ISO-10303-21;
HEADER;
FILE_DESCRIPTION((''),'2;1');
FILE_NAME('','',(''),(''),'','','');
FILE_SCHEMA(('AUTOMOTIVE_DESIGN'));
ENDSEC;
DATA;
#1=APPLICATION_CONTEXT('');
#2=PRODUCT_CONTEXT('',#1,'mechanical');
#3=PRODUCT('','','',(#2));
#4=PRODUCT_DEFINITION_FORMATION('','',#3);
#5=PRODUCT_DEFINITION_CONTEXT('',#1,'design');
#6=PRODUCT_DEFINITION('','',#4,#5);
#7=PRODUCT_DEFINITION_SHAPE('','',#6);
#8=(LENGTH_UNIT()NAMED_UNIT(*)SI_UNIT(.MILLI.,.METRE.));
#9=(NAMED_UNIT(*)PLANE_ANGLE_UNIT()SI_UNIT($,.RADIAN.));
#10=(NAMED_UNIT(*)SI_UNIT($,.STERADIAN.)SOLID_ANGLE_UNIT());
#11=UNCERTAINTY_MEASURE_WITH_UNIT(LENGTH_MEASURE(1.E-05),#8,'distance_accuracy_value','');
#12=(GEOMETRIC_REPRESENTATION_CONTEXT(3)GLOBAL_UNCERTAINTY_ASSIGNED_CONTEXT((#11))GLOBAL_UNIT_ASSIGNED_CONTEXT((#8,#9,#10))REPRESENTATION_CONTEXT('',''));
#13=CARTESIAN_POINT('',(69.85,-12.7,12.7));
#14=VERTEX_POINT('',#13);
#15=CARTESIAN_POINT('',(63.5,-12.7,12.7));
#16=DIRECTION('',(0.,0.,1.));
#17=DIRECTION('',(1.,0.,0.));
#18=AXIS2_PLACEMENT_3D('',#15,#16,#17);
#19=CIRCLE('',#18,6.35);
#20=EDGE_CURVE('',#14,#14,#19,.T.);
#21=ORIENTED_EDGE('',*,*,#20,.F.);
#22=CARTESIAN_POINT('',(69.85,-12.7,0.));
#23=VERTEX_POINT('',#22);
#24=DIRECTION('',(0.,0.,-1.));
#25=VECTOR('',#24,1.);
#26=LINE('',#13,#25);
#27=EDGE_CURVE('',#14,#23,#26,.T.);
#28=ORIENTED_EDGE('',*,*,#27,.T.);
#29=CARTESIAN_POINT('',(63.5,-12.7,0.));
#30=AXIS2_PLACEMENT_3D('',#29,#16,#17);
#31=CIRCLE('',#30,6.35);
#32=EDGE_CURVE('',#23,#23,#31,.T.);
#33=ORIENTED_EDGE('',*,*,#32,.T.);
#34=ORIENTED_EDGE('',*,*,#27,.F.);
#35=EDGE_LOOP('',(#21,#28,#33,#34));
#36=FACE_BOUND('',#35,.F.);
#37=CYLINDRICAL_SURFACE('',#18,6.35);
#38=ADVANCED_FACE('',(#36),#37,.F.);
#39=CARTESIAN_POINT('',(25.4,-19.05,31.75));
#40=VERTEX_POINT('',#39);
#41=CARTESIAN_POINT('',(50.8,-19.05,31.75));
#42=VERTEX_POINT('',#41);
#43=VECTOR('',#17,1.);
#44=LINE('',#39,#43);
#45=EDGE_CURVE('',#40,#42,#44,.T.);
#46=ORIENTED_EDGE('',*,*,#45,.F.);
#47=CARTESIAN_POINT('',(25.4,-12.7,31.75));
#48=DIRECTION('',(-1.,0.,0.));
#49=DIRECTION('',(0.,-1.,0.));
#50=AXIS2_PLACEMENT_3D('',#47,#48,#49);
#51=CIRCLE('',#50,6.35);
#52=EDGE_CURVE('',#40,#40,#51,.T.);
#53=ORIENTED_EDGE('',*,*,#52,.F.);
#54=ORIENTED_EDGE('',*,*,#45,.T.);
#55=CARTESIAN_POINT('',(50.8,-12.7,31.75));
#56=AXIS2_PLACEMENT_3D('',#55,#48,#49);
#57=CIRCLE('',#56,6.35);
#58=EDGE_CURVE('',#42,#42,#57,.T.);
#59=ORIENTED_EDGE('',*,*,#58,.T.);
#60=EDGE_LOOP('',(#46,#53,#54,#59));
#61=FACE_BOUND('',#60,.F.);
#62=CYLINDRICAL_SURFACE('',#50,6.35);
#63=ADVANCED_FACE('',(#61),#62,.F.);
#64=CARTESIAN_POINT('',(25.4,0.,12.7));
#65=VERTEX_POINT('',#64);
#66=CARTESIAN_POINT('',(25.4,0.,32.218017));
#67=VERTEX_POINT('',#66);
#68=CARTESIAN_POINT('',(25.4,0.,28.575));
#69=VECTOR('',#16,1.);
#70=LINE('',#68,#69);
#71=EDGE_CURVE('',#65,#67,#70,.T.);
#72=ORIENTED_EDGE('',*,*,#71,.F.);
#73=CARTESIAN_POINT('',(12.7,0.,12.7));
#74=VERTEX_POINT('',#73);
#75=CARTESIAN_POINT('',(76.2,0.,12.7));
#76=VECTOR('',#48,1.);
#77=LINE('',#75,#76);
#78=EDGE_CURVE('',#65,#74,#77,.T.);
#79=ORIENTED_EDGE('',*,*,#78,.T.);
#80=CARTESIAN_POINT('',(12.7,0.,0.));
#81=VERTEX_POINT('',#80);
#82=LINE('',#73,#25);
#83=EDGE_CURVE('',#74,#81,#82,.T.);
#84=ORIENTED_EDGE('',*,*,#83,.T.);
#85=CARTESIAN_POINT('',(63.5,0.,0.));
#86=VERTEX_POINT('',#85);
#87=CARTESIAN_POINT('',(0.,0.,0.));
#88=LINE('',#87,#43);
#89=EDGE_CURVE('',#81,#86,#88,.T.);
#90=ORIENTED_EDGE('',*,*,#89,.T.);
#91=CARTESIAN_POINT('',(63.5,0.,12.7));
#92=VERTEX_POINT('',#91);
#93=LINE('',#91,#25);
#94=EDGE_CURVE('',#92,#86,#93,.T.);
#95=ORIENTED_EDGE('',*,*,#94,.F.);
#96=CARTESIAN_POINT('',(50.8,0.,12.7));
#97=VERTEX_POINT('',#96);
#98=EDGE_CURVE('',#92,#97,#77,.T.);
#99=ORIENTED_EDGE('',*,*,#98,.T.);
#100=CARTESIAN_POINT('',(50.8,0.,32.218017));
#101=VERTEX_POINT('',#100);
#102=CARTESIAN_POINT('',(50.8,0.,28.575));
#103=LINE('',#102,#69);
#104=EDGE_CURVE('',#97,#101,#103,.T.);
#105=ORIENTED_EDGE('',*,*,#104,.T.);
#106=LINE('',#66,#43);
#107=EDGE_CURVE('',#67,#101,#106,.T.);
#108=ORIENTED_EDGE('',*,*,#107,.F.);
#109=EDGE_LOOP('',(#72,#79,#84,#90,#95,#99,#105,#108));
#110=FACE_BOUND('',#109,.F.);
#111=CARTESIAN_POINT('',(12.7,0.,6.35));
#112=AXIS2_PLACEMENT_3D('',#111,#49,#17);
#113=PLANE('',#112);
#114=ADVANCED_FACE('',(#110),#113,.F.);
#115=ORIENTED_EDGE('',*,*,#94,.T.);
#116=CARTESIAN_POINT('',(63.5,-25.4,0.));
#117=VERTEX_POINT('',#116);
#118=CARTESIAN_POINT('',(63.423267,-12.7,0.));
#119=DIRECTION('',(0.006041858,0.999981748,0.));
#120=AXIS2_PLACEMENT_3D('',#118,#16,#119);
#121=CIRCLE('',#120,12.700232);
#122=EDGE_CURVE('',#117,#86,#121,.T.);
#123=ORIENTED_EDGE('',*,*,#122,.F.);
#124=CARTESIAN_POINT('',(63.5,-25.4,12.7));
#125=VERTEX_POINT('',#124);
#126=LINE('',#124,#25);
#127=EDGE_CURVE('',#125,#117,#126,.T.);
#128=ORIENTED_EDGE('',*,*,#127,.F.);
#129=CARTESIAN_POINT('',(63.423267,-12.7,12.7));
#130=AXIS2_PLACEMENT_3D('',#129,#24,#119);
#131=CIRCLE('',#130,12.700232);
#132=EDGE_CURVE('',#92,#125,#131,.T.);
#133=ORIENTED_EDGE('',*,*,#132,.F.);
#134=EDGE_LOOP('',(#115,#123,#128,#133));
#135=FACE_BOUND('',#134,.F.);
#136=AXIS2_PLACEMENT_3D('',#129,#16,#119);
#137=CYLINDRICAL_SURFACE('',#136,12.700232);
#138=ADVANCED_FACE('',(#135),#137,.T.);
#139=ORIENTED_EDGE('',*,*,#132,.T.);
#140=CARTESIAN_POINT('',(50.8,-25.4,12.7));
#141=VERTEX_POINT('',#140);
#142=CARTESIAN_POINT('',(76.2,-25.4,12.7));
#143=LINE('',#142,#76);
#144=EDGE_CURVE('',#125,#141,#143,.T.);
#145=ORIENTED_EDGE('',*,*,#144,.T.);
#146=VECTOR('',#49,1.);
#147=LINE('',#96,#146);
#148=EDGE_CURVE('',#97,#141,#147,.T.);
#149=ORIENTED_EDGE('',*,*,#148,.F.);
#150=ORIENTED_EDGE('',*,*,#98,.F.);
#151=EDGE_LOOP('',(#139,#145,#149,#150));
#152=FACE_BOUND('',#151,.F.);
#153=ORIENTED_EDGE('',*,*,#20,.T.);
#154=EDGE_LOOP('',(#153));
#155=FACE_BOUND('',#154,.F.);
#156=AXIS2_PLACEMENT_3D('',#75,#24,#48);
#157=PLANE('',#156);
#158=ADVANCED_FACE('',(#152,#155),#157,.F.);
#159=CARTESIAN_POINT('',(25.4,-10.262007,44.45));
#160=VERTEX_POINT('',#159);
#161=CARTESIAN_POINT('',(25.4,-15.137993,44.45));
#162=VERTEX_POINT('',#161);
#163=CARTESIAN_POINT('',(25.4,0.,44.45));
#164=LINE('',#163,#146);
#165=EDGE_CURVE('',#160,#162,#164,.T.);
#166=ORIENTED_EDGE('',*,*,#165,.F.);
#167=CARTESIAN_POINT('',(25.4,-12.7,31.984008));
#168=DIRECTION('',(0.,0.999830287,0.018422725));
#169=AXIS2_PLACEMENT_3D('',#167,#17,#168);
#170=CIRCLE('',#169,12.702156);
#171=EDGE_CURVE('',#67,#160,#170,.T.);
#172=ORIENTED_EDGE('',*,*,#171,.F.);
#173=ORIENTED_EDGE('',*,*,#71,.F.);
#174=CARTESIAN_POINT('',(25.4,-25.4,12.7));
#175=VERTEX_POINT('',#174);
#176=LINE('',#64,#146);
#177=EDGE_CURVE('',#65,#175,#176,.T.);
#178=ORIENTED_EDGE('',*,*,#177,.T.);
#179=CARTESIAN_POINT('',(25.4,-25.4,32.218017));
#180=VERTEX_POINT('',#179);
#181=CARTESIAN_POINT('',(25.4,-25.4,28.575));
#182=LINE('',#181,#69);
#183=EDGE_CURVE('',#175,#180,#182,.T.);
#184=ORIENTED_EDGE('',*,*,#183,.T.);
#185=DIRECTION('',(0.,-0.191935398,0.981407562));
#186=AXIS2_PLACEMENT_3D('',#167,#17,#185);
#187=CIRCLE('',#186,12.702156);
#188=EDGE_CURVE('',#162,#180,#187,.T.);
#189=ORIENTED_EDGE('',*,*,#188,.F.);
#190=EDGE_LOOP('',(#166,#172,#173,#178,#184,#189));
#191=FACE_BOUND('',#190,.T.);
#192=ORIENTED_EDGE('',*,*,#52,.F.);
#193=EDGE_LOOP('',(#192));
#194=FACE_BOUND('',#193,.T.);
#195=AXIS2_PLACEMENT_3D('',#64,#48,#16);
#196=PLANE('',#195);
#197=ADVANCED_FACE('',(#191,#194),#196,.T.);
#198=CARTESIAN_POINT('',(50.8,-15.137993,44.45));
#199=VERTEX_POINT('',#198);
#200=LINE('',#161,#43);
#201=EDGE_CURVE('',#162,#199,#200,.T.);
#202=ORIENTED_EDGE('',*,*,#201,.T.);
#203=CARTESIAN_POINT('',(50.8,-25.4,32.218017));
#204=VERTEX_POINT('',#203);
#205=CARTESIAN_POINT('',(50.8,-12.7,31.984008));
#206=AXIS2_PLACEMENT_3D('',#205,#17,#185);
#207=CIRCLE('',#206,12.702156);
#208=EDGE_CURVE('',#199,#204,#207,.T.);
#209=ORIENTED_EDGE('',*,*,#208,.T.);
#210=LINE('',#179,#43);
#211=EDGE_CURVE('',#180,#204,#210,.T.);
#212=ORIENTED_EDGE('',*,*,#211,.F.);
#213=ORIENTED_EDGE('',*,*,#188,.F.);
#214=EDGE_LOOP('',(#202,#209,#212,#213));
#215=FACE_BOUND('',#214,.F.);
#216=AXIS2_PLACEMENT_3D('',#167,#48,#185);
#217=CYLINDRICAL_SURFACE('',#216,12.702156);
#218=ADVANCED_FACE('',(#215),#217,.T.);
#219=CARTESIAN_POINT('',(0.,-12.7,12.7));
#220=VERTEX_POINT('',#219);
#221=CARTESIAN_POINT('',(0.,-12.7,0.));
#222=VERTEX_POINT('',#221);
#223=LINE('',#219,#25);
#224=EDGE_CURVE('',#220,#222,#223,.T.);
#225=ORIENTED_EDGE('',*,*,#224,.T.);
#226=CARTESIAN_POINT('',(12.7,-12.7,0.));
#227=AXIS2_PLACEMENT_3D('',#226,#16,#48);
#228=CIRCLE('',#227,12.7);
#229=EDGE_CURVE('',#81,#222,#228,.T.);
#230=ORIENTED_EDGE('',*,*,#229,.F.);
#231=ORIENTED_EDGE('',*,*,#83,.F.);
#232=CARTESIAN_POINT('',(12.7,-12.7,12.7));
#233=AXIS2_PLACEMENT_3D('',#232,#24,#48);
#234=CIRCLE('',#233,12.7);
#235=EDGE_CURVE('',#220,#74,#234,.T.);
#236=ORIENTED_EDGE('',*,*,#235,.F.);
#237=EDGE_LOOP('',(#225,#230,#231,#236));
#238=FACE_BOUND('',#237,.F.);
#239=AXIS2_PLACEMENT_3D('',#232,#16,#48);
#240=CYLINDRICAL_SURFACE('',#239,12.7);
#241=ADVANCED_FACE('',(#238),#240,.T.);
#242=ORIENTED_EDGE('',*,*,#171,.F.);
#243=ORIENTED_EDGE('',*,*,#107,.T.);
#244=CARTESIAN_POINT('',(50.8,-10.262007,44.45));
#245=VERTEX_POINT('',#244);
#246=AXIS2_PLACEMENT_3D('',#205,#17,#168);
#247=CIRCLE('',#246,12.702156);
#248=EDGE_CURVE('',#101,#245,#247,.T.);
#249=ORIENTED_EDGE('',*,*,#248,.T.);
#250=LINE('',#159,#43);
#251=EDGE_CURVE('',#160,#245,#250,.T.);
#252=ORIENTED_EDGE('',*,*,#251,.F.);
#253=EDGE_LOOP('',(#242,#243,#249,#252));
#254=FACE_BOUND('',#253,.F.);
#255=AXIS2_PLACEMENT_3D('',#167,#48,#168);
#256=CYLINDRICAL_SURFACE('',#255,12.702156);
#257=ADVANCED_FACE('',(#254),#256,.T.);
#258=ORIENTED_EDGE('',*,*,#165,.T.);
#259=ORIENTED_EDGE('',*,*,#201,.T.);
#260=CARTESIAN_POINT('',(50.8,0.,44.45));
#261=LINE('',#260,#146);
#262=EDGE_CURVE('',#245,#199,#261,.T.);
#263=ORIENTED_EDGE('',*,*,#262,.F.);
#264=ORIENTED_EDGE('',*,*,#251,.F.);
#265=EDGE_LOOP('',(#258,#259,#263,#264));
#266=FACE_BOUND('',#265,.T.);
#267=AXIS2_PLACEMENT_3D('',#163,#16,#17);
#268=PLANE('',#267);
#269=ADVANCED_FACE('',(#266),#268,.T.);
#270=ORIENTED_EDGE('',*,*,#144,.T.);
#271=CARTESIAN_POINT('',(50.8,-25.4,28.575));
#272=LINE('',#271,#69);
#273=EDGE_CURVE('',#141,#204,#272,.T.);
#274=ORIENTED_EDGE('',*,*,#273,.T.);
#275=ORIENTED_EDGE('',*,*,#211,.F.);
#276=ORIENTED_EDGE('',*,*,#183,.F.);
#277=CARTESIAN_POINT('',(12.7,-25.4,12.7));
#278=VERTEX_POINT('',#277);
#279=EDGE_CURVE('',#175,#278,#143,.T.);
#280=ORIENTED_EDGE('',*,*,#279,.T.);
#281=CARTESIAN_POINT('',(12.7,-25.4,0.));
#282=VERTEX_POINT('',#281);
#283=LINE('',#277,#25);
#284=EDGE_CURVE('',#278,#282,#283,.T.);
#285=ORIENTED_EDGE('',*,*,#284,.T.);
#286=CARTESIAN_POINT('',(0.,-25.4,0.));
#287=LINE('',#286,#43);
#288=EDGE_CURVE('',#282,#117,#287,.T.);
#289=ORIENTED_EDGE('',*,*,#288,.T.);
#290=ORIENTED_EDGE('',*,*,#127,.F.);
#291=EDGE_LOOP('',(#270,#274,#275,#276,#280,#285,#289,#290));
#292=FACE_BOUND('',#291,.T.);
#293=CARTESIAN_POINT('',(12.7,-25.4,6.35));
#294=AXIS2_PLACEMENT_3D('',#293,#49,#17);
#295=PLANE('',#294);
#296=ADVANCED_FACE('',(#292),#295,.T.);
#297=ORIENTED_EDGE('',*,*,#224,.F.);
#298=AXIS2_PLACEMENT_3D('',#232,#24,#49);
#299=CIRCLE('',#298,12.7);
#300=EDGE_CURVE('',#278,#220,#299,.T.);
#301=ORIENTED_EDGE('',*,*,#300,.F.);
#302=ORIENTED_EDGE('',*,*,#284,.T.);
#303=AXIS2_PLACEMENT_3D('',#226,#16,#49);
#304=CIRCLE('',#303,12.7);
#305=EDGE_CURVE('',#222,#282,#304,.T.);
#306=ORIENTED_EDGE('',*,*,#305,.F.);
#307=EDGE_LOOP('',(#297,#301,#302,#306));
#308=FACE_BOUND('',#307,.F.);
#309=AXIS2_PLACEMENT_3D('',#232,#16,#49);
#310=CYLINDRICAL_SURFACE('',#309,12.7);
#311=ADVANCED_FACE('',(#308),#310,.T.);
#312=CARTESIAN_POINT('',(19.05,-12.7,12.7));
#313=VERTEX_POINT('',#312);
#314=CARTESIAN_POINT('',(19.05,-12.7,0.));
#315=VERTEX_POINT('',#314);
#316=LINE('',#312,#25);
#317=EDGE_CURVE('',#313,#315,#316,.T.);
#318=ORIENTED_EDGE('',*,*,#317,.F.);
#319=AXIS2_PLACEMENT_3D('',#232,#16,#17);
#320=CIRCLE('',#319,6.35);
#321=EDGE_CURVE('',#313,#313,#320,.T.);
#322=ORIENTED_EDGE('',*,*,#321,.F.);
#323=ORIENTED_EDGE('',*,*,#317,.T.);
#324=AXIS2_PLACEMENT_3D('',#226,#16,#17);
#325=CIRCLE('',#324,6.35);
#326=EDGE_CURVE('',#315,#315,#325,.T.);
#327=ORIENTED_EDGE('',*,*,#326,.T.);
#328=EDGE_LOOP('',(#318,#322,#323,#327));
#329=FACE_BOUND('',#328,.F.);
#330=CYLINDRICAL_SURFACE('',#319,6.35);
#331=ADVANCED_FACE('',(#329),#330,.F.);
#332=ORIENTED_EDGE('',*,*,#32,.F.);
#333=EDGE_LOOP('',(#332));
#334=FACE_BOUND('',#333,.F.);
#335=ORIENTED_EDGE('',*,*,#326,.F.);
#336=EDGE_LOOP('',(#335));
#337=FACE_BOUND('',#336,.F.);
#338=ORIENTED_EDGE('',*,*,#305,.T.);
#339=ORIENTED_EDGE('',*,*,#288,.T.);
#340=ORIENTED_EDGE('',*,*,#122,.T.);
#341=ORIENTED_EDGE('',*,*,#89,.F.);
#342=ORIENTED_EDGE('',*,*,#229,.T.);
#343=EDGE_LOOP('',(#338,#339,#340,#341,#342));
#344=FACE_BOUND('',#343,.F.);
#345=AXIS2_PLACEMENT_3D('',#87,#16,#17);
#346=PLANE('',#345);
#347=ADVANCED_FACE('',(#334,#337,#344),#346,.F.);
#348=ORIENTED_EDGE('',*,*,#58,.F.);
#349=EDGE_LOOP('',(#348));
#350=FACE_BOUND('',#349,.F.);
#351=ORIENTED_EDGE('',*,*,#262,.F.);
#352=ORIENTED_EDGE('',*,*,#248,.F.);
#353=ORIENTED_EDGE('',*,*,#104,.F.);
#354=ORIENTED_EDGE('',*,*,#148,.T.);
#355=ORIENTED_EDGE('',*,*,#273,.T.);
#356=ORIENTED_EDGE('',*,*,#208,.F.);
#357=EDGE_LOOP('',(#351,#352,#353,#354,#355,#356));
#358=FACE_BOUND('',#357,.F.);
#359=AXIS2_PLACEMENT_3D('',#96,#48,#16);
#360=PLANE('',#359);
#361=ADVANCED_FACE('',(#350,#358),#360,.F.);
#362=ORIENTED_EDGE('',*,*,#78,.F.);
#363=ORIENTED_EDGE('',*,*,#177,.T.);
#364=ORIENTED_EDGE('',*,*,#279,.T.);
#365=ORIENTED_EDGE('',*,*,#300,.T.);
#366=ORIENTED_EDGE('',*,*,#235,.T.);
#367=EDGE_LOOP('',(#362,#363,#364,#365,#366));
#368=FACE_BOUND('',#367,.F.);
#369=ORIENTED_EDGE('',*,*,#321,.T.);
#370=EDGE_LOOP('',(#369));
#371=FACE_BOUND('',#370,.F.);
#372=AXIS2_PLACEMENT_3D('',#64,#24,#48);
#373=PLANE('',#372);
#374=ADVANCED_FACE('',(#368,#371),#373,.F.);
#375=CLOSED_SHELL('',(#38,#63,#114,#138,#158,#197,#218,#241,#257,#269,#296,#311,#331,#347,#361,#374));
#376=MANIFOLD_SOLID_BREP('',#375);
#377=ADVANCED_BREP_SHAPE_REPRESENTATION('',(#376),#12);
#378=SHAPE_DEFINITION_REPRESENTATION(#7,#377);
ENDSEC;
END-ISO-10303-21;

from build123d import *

# Parameters (mm, degrees)
F0_W     = 25.4
F0_H     = 12.7
F0_H_2   = 31.75
F1_DEPTH = 25.4
F2_R     = 6.35
F3_DEPTH = 25.4
F4_R     = 6.35
F5_DEPTH = 25.4
F7_DEPTH = 25.4


with BuildPart() as f1:
    # F0 (on Front) → F1 (new body)
    with BuildSketch(Plane.XZ):
        with Locations((12.7, 6.35)):
            Rectangle(F0_W, F0_H)
        with Locations((38.1, 6.35)):
            Rectangle(F0_W, F0_H)
        with Locations((63.5, 6.35)):
            Rectangle(F0_W, F0_H)
        with Locations((38.1, 28.575)):
            Rectangle(F0_W, F0_H_2)
    extrude(amount=F1_DEPTH)

    # F2 (on face) → F3 (cut)
    with BuildSketch(Plane(origin=(25.4, 0, 0), x_dir=(0, -1, 0), z_dir=(-1, 0, 0))):
        with Locations((12.7, 31.75)):
            Circle(F2_R)
        with BuildLine():
            ThreePointArc((0, 32.2180166472), (2.9688610836, 40.1479347861), (10.2620066819, 44.45))
            Line((10.2620066819, 44.45), (0, 44.45))
            Line((0, 44.45), (0, 32.2180166472))
        make_face()
        with BuildLine():
            ThreePointArc((15.1379933181, 44.45), (22.4311389164, 40.1479347861), (25.4, 32.2180166472))
            Line((25.4, 32.2180166472), (25.4, 44.45))
            Line((25.4, 44.45), (15.1379933181, 44.45))
        make_face()
    extrude(amount=-F3_DEPTH, mode=Mode.SUBTRACT)

    # F4 (on face) → F5 (cut)
    with BuildSketch(Plane.XY.offset(12.7)):
        with Locations((12.7, -12.7)):
            Circle(F4_R)
        with Locations((63.5, -12.7)):
            Circle(F4_R)
        with BuildLine():
            ThreePointArc((0, -12.7), (3.7197438789, -3.7197438789), (12.7, 0))
            Line((12.7, 0), (0, 0))
            Line((0, 0), (0, -12.7))
        make_face()
        with BuildLine():
            ThreePointArc((12.7, -25.4), (3.7197438789, -21.6802561211), (0, -12.7))
            Line((0, -12.7), (0, -25.4))
            Line((0, -25.4), (12.7, -25.4))
        make_face()
    extrude(amount=-F5_DEPTH, mode=Mode.SUBTRACT)

    # F6 (on face) → F7 (cut)
    with BuildSketch(Plane.XY.offset(12.7)):
        with BuildLine():
            ThreePointArc((63.5, 0), (76.1234988118, -12.7), (63.5, -25.4))
            Line((63.5, -25.4), (76.2, -25.4))
            Line((76.2, -25.4), (76.2, 0))
            Line((76.2, 0), (63.5, 0))
        make_face()
    extrude(amount=-F7_DEPTH, mode=Mode.SUBTRACT)


solid = f1.part
